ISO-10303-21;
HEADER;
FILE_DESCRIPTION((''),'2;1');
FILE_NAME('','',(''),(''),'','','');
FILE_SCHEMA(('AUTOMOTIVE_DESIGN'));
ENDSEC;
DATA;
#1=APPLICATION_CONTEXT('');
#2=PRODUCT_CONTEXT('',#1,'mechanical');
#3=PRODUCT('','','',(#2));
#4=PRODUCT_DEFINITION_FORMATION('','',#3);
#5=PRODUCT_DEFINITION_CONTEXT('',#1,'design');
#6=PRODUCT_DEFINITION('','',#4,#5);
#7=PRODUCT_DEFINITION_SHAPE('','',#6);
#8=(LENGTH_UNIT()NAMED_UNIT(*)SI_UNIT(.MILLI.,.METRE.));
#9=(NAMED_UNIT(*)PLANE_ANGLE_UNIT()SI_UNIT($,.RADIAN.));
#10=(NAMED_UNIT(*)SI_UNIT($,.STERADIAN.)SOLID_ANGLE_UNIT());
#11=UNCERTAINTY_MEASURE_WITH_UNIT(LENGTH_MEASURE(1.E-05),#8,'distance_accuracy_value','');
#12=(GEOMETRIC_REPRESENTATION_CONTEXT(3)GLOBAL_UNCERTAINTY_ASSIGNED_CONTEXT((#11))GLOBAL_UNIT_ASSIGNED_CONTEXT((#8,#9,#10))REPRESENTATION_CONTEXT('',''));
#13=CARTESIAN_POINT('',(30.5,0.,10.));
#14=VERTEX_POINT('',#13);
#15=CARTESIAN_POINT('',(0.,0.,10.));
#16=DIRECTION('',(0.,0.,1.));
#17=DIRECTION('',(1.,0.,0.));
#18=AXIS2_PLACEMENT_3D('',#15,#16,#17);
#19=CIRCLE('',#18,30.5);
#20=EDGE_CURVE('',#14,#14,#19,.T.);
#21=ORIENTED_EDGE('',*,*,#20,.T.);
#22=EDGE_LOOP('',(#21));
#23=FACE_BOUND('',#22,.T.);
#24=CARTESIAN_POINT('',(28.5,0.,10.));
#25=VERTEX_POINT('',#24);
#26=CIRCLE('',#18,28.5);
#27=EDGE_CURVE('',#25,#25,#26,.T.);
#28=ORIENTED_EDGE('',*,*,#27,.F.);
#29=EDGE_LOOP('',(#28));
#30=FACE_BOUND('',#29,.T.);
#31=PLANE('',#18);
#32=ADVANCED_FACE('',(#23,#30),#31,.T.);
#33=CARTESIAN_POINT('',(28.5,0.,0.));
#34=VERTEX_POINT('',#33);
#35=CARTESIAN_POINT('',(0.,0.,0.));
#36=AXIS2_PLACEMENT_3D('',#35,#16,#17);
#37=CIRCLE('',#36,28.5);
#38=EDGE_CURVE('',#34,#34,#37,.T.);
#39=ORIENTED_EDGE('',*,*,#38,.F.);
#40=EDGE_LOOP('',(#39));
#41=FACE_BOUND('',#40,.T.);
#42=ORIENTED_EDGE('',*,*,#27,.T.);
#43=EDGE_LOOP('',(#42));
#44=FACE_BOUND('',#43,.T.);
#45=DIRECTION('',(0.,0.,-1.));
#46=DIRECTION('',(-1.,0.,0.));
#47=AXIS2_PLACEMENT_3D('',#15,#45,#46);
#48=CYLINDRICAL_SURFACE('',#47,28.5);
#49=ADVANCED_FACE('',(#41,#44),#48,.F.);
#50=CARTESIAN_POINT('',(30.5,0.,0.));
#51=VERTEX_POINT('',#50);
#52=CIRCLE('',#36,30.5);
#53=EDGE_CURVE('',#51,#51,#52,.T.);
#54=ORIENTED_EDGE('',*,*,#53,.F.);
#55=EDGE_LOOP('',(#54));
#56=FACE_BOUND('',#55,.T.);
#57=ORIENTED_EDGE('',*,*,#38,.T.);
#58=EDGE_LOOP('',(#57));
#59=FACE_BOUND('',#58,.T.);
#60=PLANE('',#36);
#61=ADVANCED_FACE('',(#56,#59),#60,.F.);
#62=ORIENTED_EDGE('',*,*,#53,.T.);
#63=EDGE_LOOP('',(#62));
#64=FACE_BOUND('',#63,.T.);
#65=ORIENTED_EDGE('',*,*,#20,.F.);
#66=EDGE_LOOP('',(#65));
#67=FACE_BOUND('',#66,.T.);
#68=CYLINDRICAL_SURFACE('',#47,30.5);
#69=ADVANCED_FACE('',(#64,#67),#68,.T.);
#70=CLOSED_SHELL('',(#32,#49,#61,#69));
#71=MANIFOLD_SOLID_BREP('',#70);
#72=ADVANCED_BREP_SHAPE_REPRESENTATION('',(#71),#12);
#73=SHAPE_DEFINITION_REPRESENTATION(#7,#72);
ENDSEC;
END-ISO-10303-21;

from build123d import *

# Parameters (mm, degrees)
ESBO_O1_R                = 30.5
ESBO_O1_R_2              = 28.5
RESSALTO_EXTRUS_O1_DEPTH = 10


with BuildPart() as part:
    # Esboço1 → Ressalto-extrusão1 (new body)
    with BuildSketch(Plane.XY):
        Circle(ESBO_O1_R)
        Circle(ESBO_O1_R_2, mode=Mode.SUBTRACT)
    extrude(amount=RESSALTO_EXTRUS_O1_DEPTH)


solid = part.part
